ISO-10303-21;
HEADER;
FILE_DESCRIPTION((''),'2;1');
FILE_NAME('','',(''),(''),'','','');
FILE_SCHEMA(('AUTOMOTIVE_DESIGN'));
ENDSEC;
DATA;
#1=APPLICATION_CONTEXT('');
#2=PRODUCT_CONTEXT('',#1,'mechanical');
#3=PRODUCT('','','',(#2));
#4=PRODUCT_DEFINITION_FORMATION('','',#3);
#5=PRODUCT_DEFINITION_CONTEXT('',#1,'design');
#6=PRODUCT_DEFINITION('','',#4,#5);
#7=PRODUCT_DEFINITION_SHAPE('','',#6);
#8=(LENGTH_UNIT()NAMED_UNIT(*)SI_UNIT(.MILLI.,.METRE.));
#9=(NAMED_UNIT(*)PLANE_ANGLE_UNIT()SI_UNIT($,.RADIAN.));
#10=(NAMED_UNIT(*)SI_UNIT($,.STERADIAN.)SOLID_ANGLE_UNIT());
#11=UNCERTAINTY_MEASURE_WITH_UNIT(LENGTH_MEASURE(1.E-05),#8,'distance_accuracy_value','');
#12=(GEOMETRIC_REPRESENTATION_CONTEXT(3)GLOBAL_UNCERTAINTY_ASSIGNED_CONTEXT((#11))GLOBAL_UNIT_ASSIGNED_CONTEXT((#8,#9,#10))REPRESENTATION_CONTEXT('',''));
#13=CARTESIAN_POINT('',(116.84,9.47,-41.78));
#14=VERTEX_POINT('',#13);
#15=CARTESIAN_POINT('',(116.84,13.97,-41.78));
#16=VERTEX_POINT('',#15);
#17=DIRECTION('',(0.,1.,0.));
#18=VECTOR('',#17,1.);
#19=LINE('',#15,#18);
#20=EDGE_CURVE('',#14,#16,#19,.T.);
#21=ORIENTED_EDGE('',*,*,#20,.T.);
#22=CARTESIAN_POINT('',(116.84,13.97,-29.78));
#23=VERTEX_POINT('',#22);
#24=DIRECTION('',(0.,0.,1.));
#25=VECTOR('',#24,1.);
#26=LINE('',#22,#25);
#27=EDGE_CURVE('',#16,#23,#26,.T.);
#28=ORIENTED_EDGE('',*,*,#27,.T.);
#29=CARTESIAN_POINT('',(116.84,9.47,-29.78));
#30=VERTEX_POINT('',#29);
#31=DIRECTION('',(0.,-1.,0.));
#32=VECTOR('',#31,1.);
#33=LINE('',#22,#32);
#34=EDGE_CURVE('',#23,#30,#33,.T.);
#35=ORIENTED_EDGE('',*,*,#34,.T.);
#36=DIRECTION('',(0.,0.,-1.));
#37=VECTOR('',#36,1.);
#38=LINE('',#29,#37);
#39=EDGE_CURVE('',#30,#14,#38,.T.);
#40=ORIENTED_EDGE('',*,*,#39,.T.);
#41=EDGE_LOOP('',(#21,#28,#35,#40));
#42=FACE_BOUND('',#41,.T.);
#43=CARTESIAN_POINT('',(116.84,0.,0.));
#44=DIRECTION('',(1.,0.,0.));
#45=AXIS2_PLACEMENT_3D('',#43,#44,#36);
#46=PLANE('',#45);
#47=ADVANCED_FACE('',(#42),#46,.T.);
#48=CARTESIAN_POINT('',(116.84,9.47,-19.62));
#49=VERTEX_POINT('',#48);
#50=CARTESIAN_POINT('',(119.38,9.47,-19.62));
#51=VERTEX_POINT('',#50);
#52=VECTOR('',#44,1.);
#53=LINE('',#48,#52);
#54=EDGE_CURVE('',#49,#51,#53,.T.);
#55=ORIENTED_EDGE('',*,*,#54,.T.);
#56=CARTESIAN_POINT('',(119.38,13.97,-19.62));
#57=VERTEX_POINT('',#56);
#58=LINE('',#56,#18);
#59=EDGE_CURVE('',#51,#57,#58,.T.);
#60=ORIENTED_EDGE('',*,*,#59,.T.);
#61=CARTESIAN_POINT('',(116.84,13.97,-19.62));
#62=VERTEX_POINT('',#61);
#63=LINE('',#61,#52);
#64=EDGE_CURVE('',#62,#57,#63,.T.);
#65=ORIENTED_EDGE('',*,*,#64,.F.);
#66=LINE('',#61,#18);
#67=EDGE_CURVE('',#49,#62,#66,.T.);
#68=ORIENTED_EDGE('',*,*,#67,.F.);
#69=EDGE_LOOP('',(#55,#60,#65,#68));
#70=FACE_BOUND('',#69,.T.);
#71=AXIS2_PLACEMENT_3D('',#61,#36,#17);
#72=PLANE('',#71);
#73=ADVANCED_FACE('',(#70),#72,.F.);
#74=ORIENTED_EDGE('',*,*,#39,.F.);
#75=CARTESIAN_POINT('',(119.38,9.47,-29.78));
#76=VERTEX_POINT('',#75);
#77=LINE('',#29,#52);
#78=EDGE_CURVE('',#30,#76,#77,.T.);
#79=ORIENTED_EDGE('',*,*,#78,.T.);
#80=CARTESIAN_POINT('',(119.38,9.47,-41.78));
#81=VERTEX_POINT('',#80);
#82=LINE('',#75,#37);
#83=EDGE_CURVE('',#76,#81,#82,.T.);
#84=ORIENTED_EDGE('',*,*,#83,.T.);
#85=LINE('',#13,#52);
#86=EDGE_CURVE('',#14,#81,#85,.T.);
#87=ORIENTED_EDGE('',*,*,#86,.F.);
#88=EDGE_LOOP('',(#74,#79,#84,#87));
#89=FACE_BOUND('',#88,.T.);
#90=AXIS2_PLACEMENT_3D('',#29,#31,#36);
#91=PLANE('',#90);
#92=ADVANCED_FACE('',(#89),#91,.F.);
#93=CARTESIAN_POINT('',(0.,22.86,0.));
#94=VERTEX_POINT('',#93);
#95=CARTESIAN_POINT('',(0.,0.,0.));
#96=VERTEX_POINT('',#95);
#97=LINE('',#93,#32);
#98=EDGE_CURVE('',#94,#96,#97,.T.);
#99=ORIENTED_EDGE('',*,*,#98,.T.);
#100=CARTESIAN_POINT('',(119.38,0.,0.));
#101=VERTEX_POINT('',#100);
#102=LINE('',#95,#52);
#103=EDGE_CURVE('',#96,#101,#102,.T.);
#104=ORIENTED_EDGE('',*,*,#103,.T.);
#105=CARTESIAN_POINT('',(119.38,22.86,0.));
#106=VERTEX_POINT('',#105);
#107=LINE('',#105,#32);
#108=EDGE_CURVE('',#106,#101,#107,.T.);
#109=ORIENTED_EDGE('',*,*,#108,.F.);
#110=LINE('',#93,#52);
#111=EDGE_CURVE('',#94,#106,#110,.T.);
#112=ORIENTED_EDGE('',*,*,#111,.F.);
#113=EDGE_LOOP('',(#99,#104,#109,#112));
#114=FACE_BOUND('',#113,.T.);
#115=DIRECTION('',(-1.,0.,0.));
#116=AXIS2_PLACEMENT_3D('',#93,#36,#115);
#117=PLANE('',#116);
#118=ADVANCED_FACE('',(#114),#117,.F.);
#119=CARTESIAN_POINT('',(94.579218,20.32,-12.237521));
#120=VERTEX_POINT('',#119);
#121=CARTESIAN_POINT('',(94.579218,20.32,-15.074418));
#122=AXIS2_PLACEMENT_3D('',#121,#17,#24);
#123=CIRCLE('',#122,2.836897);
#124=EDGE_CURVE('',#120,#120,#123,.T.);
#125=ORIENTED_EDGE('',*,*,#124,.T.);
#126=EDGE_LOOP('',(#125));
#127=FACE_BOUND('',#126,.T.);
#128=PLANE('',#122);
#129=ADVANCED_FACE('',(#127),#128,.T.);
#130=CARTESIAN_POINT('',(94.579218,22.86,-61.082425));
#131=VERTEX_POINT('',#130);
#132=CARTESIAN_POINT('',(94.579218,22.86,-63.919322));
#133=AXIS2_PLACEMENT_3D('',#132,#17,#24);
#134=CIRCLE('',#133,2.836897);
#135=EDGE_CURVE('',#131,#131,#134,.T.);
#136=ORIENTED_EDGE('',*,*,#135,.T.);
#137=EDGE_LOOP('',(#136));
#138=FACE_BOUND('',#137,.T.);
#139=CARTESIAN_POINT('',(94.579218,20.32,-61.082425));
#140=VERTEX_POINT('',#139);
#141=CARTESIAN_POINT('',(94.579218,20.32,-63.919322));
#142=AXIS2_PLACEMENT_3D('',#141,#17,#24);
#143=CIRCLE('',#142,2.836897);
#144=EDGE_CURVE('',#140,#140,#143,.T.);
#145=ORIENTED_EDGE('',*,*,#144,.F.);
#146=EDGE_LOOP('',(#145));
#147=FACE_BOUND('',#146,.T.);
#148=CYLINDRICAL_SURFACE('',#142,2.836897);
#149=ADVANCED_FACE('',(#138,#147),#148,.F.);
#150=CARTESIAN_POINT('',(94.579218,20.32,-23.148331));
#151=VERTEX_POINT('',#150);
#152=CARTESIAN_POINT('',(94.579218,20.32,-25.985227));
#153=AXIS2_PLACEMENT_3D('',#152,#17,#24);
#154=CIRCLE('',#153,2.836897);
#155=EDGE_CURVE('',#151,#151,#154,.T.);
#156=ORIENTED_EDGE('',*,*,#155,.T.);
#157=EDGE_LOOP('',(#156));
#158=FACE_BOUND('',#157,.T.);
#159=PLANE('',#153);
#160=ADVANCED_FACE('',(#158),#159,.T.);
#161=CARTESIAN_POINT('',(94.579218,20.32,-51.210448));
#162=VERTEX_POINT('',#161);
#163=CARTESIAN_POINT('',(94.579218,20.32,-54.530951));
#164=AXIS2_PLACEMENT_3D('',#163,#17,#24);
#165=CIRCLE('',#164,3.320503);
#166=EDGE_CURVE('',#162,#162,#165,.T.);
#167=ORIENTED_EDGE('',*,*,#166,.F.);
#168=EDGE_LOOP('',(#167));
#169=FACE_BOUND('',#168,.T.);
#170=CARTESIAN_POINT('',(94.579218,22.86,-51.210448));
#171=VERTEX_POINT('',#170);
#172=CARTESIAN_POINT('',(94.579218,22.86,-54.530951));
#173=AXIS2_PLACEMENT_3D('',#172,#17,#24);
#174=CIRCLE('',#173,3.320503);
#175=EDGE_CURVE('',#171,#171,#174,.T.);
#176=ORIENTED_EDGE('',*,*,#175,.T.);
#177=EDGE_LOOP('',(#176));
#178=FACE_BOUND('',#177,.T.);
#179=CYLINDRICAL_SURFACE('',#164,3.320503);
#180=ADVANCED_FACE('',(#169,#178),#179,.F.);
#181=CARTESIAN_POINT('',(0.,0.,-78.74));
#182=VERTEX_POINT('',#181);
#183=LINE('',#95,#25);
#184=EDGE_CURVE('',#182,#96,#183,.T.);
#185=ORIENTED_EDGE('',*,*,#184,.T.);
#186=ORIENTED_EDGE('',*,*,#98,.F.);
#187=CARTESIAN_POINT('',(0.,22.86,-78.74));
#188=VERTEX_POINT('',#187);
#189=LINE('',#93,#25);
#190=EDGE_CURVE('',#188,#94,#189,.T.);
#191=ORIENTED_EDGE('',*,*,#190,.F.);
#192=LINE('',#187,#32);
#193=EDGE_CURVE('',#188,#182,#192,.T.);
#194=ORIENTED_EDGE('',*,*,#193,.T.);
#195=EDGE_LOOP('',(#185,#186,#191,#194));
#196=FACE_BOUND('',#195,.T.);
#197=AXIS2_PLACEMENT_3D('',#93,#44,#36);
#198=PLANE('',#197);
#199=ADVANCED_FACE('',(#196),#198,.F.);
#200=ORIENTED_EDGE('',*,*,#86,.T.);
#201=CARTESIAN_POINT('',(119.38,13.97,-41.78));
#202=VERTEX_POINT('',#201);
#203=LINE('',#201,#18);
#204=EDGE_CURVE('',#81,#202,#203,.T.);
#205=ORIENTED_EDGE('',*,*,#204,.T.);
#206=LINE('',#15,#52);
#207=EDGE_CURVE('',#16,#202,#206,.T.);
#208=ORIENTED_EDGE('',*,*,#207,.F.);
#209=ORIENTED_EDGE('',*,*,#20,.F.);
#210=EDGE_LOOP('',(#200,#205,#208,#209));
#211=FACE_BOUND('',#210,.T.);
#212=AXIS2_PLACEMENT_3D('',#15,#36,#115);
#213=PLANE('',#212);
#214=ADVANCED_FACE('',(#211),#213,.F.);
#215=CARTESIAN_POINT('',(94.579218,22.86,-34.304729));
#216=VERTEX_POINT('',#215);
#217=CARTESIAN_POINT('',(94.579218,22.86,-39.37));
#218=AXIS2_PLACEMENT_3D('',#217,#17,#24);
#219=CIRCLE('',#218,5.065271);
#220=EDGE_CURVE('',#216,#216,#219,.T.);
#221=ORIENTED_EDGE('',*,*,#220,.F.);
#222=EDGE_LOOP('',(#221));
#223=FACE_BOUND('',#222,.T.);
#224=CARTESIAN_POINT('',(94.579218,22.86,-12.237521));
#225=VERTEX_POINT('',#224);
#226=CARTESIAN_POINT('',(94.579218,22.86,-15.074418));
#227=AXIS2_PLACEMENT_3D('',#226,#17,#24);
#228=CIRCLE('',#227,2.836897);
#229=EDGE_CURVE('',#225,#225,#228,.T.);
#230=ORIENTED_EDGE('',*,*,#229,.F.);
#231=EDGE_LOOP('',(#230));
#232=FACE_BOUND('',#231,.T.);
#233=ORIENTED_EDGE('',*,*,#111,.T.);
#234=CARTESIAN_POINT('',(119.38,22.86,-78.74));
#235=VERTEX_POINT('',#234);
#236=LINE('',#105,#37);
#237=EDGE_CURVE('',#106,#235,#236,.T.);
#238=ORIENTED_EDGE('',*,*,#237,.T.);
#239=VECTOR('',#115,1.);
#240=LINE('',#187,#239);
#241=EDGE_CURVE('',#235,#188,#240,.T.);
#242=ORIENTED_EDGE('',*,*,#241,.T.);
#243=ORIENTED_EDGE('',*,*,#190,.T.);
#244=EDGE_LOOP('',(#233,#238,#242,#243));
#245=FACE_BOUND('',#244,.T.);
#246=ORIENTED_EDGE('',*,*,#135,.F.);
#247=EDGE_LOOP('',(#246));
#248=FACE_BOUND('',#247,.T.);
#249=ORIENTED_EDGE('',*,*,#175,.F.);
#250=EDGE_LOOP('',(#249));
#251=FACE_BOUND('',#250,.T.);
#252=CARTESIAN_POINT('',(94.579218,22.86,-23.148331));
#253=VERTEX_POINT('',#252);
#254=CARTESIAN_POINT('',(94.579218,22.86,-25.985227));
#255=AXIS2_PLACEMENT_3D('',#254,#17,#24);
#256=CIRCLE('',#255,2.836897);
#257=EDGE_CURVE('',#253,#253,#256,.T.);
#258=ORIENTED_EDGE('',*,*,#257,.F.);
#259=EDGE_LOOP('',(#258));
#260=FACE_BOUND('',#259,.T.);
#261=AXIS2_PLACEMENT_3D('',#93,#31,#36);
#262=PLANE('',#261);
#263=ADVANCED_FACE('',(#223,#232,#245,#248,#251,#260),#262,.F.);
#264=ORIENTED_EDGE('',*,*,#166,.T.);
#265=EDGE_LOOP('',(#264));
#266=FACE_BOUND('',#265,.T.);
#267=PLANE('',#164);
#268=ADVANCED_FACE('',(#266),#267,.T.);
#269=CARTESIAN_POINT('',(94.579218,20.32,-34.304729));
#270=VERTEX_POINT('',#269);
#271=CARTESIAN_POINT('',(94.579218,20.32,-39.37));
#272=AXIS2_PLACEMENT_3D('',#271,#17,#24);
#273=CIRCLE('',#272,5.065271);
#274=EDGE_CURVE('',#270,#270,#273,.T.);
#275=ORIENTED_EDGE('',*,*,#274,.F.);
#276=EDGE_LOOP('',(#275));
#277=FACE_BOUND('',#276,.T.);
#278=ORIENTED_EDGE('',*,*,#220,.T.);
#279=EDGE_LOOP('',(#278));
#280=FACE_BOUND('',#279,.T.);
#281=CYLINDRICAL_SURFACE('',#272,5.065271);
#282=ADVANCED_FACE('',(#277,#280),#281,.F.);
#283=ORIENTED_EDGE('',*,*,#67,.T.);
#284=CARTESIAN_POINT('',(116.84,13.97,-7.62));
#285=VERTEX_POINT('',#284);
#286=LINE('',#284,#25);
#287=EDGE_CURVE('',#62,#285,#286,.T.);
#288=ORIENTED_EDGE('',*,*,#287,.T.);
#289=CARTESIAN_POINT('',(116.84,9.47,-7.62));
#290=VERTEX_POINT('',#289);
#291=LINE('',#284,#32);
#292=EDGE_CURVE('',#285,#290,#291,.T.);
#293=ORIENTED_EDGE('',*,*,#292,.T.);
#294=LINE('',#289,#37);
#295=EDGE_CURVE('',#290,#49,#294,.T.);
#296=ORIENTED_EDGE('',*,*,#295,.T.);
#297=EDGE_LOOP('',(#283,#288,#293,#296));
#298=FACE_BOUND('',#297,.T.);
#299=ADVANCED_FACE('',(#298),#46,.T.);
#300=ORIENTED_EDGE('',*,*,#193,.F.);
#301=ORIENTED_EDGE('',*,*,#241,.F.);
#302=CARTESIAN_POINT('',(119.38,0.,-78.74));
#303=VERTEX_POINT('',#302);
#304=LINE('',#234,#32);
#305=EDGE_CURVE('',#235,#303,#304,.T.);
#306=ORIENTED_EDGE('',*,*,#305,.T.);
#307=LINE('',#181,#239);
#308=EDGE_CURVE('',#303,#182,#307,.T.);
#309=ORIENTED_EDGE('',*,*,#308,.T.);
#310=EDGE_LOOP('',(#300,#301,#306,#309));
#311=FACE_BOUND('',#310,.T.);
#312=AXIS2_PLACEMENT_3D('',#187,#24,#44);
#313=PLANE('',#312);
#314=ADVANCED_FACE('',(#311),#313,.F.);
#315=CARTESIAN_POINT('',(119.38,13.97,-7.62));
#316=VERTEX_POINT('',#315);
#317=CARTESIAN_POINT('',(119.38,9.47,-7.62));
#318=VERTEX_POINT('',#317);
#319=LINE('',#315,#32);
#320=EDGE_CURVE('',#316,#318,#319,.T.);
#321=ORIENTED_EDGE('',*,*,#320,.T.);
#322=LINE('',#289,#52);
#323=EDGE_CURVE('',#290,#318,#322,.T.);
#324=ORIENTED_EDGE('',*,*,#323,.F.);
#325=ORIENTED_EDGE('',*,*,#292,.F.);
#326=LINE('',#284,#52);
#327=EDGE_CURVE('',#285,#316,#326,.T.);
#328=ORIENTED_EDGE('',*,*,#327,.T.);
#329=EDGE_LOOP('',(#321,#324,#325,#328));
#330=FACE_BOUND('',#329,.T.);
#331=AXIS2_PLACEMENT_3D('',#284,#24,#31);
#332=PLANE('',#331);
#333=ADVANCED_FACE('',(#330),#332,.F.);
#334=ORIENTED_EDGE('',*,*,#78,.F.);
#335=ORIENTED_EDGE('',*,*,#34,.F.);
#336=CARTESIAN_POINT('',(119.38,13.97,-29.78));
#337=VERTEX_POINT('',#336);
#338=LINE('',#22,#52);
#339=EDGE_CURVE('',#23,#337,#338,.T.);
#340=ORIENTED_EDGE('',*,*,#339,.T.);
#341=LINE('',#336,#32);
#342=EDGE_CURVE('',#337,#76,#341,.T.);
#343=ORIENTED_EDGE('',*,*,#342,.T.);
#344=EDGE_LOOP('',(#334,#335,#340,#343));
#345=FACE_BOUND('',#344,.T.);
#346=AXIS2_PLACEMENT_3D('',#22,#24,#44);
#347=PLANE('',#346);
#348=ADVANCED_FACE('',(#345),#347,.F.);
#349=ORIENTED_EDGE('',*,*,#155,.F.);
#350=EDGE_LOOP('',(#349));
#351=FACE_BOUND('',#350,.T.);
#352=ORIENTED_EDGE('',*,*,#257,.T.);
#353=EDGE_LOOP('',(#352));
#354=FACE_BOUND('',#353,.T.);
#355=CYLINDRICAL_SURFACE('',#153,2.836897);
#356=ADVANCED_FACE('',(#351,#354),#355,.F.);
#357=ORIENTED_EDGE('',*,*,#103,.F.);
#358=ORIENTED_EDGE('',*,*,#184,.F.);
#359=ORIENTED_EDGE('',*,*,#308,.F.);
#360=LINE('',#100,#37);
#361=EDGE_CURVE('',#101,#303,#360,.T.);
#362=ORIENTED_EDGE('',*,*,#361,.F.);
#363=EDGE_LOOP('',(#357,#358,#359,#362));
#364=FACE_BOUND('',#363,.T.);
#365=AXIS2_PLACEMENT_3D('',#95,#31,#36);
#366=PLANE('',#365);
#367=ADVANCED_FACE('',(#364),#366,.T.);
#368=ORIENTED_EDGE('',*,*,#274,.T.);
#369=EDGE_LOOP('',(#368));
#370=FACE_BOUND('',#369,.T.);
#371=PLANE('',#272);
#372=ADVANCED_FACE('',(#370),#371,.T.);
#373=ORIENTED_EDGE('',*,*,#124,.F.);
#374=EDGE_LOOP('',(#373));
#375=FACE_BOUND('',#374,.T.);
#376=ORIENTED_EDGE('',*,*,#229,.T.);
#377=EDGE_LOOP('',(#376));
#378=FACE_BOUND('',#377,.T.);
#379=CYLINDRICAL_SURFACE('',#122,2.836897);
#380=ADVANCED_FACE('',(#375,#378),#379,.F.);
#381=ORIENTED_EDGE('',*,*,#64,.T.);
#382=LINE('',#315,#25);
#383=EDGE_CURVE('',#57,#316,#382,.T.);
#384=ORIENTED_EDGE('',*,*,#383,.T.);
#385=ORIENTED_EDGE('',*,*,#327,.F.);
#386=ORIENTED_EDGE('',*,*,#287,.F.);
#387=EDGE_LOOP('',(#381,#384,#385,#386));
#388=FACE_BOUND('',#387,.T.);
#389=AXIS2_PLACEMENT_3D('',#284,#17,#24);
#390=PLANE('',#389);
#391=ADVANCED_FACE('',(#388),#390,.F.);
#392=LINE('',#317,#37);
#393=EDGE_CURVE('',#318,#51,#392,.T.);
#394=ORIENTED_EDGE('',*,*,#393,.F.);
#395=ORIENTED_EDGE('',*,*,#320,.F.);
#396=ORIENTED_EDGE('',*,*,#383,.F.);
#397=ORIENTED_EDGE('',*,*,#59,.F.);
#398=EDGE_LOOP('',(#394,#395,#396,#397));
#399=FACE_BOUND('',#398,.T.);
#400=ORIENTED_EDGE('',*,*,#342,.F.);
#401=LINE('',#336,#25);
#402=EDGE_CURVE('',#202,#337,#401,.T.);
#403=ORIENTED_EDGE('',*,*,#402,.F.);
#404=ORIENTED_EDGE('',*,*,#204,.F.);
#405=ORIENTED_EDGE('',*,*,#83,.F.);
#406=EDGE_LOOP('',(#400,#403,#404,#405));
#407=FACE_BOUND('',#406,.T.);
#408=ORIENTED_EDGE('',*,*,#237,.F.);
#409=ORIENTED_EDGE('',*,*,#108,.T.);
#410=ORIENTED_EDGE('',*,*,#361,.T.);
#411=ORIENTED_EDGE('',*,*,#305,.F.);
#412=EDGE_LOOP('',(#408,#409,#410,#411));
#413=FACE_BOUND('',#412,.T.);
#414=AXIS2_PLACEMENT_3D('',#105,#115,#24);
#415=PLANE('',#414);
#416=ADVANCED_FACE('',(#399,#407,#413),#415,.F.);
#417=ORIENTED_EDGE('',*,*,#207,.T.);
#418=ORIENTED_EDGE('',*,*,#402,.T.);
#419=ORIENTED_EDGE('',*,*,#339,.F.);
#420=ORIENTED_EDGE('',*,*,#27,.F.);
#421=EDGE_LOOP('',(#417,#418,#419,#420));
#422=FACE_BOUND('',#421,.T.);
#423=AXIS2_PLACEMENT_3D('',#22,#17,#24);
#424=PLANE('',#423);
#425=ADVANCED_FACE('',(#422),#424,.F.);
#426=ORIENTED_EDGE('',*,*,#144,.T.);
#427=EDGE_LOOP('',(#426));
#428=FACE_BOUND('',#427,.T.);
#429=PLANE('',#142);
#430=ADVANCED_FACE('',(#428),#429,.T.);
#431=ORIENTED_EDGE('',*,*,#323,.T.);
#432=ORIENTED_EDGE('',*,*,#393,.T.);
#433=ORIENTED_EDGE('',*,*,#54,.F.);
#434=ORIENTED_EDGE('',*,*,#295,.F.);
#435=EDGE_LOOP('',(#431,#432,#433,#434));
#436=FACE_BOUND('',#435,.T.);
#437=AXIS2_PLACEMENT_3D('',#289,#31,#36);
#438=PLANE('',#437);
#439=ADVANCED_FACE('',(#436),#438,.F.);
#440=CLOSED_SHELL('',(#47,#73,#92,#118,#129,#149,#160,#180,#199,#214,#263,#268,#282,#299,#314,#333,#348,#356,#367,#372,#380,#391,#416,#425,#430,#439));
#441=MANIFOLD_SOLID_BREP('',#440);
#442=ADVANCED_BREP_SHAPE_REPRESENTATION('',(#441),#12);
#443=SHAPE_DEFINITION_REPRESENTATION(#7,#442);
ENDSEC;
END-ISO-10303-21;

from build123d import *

# Parameters (mm, degrees)
SKETCH1_W           = 119.38
SKETCH1_H           = 78.74
BOSS_EXTRUDE1_DEPTH = 22.86
SKETCH2_W           = 12
SKETCH2_H           = 4.5
CUT_EXTRUDE1_DEPTH  = 2.54
SKETCH3_R           = 5.06527112
SKETCH3_R_2         = 3.320502589
SKETCH3_R_3         = 2.836896815
CUT_EXTRUDE2_DEPTH  = 2.54


with BuildPart() as part:
    # Sketch1 → Boss-Extrude1 (new body)
    with BuildSketch(Plane(origin=(0, 0, 0), x_dir=(1, 0, 0), z_dir=(0, 1, 0))):
        with Locations((59.69, 39.37)):
            Rectangle(SKETCH1_W, SKETCH1_H)
    extrude(amount=BOSS_EXTRUDE1_DEPTH)

    # Sketch2 → Cut-Extrude1 (cut)
    with BuildSketch(Plane(origin=(119.38, 0, 0), x_dir=(0, 0, -1), z_dir=(1, 0, 0))):
        with Locations((35.78, 11.72)):
            Rectangle(SKETCH2_W, SKETCH2_H)
        with Locations((13.62, 11.72)):
            Rectangle(SKETCH2_W, SKETCH2_H)
    extrude(amount=-CUT_EXTRUDE1_DEPTH, mode=Mode.SUBTRACT)

    # Sketch3 → Cut-Extrude2 (cut)
    with BuildSketch(Plane(origin=(0, 22.86, 0), x_dir=(1, 0, 0), z_dir=(0, 1, 0))):
        with Locations((94.579217674, 39.37)):
            Circle(SKETCH3_R)
        with Locations((94.579217674, 54.530950953)):
            Circle(SKETCH3_R_2)
        with Locations((94.579217674, 63.919322254)):
            Circle(SKETCH3_R_3)
        with Locations((94.579217674, 25.985227401)):
            Circle(SKETCH3_R_3)
        with Locations((94.579217674, 15.074417511)):
            Circle(SKETCH3_R_3)
    extrude(amount=-CUT_EXTRUDE2_DEPTH, mode=Mode.SUBTRACT)


solid = part.part
